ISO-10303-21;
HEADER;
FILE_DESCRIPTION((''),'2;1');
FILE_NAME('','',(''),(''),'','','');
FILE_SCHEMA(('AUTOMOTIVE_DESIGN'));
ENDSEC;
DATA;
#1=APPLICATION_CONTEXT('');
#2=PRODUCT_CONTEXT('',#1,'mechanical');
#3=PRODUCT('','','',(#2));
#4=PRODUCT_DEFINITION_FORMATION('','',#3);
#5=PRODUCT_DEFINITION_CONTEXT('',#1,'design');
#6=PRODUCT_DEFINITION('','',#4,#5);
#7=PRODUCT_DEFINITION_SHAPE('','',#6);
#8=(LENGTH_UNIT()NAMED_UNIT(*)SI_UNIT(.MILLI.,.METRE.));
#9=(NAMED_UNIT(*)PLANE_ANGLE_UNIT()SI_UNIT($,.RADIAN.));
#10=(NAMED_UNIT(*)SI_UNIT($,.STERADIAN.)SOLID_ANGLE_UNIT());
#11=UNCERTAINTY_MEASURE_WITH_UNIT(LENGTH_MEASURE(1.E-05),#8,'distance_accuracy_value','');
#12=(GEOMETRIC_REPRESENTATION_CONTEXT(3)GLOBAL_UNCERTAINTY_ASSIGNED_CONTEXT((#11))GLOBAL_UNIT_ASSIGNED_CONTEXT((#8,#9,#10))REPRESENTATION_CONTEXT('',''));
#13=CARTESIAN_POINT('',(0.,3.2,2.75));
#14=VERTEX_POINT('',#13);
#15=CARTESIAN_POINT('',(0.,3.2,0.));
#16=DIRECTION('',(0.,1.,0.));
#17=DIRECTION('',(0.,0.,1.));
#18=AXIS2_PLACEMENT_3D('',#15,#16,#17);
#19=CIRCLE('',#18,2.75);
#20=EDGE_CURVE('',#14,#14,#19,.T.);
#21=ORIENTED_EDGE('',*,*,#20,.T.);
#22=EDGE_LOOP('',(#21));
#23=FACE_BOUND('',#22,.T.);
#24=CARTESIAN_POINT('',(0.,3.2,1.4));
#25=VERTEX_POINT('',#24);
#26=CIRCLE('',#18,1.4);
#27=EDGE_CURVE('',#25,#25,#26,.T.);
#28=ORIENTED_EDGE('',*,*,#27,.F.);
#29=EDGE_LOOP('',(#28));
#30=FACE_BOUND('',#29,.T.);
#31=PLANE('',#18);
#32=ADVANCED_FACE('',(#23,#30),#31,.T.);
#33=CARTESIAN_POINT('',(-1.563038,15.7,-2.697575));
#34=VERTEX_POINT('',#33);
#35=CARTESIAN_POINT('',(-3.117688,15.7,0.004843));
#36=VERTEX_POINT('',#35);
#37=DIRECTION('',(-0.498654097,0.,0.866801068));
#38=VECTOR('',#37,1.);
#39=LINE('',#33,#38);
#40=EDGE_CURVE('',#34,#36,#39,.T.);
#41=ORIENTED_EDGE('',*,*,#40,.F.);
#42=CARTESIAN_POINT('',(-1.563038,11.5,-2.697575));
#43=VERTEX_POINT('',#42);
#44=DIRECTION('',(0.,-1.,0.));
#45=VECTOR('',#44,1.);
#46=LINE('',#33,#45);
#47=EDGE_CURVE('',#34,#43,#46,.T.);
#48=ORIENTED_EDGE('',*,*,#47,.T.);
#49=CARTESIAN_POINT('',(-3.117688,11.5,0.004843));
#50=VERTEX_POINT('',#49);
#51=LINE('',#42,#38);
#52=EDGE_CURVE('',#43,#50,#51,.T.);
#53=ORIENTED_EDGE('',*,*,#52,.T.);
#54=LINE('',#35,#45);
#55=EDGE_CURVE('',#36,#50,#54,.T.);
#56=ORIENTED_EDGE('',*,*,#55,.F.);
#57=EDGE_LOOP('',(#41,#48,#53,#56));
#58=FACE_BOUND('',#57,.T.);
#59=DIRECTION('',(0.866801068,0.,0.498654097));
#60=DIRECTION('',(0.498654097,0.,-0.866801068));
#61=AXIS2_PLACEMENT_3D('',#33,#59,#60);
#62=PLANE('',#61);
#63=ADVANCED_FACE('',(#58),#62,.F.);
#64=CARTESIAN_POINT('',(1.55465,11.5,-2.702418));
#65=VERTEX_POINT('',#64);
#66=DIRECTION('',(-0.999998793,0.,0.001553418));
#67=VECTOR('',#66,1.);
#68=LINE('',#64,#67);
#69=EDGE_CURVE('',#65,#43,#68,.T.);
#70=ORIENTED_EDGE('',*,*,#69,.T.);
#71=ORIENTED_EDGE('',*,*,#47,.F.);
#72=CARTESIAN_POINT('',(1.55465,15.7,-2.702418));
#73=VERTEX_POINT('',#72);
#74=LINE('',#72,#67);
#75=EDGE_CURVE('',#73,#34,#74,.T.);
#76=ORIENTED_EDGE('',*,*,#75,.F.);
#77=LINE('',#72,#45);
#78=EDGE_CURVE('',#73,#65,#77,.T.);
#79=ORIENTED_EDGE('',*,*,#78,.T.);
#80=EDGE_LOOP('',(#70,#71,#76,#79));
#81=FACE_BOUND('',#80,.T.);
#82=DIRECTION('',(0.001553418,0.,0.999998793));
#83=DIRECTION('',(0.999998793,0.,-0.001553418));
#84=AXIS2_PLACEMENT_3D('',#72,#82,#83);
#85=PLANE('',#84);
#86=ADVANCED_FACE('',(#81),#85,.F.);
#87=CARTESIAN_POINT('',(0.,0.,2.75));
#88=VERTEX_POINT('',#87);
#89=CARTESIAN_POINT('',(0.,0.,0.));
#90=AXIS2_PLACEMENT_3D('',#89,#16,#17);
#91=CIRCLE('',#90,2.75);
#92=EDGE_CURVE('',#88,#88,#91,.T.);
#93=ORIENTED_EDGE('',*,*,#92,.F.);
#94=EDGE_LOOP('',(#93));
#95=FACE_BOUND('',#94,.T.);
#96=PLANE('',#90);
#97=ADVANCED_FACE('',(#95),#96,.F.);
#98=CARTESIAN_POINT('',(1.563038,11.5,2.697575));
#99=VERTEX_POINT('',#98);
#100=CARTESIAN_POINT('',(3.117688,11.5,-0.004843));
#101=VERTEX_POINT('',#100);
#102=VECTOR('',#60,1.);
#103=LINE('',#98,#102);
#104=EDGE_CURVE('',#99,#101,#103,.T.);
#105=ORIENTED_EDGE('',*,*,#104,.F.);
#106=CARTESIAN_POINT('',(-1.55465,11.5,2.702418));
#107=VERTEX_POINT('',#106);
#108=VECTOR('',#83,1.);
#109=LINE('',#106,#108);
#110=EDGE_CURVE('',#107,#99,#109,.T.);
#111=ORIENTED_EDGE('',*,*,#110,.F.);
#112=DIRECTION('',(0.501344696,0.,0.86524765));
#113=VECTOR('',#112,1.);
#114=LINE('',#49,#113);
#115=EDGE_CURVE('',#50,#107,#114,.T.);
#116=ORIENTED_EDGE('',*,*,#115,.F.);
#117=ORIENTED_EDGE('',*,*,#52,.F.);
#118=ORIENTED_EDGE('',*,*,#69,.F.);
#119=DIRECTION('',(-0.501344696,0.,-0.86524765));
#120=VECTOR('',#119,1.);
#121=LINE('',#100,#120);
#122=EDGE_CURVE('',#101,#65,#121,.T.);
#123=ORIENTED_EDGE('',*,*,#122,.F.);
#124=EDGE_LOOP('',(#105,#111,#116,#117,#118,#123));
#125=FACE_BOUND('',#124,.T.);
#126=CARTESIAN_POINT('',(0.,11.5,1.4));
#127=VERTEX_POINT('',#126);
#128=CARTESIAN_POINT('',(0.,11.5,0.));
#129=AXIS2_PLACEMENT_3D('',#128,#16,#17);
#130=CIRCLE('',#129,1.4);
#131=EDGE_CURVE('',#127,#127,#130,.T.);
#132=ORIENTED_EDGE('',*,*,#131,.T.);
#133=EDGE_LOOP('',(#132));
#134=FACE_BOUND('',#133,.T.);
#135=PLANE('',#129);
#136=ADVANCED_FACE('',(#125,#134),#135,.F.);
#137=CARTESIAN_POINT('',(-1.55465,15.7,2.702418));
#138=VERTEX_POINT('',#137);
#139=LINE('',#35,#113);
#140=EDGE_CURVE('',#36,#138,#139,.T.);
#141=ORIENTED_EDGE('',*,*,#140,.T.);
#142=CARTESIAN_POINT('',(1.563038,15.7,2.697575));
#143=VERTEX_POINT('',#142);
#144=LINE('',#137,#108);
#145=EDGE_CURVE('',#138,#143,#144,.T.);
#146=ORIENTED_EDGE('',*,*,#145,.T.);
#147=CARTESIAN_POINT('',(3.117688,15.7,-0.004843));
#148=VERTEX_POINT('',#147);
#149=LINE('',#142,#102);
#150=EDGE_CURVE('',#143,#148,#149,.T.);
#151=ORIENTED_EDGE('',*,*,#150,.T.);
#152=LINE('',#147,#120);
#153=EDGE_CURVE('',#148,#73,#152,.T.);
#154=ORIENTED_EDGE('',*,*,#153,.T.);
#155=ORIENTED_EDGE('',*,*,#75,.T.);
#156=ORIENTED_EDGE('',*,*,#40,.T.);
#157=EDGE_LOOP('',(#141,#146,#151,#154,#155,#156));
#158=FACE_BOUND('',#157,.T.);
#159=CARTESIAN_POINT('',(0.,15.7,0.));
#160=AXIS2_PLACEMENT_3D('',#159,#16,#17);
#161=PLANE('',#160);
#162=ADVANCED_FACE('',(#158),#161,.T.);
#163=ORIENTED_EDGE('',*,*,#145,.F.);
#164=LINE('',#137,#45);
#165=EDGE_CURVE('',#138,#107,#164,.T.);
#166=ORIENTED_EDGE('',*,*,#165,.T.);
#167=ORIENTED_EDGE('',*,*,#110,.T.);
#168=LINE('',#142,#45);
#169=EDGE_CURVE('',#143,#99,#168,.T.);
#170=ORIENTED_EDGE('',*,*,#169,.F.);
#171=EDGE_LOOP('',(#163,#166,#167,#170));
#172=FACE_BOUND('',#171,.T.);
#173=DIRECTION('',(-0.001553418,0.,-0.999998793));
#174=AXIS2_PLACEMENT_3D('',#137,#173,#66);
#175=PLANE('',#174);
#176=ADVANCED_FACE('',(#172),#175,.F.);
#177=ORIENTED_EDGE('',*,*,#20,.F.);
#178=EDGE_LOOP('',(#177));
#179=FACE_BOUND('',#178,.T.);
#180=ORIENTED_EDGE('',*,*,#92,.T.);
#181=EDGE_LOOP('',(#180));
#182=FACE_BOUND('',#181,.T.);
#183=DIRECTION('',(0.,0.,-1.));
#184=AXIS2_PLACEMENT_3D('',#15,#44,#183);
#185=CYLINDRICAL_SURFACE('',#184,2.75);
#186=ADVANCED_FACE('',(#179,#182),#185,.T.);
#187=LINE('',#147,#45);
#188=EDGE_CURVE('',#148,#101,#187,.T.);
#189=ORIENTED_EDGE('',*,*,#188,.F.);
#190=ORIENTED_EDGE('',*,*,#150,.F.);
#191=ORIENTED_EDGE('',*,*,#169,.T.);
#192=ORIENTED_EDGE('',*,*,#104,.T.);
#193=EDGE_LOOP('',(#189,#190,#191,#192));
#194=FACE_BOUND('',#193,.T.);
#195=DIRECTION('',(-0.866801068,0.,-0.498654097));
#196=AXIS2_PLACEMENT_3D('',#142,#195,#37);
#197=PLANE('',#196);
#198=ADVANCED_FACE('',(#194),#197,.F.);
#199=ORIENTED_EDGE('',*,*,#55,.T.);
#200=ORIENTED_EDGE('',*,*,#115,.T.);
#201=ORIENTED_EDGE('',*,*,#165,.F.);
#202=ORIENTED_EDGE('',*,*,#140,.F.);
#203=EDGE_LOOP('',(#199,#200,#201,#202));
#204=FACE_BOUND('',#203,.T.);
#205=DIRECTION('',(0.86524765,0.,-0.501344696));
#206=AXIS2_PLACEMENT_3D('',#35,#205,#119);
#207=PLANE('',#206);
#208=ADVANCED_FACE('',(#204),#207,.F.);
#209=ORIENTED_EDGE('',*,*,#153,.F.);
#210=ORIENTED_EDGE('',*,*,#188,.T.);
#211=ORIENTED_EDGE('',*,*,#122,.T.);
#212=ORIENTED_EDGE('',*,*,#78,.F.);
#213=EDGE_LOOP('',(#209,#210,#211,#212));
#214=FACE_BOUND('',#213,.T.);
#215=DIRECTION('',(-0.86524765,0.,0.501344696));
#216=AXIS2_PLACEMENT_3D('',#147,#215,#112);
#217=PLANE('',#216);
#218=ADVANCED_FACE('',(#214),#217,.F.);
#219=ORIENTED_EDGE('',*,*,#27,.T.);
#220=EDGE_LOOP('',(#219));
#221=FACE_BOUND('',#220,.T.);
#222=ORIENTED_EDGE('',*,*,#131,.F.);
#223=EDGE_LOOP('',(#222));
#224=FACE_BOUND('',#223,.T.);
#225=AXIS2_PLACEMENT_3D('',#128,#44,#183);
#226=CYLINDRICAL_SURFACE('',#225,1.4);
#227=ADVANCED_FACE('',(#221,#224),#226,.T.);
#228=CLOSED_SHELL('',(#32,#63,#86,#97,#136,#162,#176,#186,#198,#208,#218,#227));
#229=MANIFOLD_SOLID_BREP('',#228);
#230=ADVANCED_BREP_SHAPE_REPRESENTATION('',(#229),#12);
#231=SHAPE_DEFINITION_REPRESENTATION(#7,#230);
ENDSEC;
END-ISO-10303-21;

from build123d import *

# Parameters (mm, degrees)
SKETCH1_R           = 2.75
BOSS_EXTRUDE1_DEPTH = 3.2
SKETCH2_R           = 1.4
BOSS_EXTRUDE2_DEPTH = 8.3
BOSS_EXTRUDE3_DEPTH = 4.2


with BuildPart() as part:
    # Sketch1 → Boss-Extrude1 (new body)
    with BuildSketch(Plane(origin=(0, 0, 0), x_dir=(1, 0, 0), z_dir=(0, 1, 0))):
        Circle(SKETCH1_R)
    extrude(amount=BOSS_EXTRUDE1_DEPTH)

    # Sketch2 → Boss-Extrude2 (add)
    with BuildSketch(Plane(origin=(0, 3.2, 0), x_dir=(1, 0, 0), z_dir=(0, 1, 0))):
        Circle(SKETCH2_R)
    extrude(amount=BOSS_EXTRUDE2_DEPTH)

    # Sketch3 → Boss-Extrude3 (add)
    with BuildSketch(Plane(origin=(0, 11.5, 0), x_dir=(1, 0, 0), z_dir=(0, 1, 0))):
        Polygon((1.554649618, 2.702418281), (-1.563038074, 2.697575204), (-3.117687692, -0.004843077), (-1.554649618, -2.702418281), (1.563038074, -2.697575204), (3.117687692, 0.004843077), align=None)
    extrude(amount=BOSS_EXTRUDE3_DEPTH)


solid = part.part
